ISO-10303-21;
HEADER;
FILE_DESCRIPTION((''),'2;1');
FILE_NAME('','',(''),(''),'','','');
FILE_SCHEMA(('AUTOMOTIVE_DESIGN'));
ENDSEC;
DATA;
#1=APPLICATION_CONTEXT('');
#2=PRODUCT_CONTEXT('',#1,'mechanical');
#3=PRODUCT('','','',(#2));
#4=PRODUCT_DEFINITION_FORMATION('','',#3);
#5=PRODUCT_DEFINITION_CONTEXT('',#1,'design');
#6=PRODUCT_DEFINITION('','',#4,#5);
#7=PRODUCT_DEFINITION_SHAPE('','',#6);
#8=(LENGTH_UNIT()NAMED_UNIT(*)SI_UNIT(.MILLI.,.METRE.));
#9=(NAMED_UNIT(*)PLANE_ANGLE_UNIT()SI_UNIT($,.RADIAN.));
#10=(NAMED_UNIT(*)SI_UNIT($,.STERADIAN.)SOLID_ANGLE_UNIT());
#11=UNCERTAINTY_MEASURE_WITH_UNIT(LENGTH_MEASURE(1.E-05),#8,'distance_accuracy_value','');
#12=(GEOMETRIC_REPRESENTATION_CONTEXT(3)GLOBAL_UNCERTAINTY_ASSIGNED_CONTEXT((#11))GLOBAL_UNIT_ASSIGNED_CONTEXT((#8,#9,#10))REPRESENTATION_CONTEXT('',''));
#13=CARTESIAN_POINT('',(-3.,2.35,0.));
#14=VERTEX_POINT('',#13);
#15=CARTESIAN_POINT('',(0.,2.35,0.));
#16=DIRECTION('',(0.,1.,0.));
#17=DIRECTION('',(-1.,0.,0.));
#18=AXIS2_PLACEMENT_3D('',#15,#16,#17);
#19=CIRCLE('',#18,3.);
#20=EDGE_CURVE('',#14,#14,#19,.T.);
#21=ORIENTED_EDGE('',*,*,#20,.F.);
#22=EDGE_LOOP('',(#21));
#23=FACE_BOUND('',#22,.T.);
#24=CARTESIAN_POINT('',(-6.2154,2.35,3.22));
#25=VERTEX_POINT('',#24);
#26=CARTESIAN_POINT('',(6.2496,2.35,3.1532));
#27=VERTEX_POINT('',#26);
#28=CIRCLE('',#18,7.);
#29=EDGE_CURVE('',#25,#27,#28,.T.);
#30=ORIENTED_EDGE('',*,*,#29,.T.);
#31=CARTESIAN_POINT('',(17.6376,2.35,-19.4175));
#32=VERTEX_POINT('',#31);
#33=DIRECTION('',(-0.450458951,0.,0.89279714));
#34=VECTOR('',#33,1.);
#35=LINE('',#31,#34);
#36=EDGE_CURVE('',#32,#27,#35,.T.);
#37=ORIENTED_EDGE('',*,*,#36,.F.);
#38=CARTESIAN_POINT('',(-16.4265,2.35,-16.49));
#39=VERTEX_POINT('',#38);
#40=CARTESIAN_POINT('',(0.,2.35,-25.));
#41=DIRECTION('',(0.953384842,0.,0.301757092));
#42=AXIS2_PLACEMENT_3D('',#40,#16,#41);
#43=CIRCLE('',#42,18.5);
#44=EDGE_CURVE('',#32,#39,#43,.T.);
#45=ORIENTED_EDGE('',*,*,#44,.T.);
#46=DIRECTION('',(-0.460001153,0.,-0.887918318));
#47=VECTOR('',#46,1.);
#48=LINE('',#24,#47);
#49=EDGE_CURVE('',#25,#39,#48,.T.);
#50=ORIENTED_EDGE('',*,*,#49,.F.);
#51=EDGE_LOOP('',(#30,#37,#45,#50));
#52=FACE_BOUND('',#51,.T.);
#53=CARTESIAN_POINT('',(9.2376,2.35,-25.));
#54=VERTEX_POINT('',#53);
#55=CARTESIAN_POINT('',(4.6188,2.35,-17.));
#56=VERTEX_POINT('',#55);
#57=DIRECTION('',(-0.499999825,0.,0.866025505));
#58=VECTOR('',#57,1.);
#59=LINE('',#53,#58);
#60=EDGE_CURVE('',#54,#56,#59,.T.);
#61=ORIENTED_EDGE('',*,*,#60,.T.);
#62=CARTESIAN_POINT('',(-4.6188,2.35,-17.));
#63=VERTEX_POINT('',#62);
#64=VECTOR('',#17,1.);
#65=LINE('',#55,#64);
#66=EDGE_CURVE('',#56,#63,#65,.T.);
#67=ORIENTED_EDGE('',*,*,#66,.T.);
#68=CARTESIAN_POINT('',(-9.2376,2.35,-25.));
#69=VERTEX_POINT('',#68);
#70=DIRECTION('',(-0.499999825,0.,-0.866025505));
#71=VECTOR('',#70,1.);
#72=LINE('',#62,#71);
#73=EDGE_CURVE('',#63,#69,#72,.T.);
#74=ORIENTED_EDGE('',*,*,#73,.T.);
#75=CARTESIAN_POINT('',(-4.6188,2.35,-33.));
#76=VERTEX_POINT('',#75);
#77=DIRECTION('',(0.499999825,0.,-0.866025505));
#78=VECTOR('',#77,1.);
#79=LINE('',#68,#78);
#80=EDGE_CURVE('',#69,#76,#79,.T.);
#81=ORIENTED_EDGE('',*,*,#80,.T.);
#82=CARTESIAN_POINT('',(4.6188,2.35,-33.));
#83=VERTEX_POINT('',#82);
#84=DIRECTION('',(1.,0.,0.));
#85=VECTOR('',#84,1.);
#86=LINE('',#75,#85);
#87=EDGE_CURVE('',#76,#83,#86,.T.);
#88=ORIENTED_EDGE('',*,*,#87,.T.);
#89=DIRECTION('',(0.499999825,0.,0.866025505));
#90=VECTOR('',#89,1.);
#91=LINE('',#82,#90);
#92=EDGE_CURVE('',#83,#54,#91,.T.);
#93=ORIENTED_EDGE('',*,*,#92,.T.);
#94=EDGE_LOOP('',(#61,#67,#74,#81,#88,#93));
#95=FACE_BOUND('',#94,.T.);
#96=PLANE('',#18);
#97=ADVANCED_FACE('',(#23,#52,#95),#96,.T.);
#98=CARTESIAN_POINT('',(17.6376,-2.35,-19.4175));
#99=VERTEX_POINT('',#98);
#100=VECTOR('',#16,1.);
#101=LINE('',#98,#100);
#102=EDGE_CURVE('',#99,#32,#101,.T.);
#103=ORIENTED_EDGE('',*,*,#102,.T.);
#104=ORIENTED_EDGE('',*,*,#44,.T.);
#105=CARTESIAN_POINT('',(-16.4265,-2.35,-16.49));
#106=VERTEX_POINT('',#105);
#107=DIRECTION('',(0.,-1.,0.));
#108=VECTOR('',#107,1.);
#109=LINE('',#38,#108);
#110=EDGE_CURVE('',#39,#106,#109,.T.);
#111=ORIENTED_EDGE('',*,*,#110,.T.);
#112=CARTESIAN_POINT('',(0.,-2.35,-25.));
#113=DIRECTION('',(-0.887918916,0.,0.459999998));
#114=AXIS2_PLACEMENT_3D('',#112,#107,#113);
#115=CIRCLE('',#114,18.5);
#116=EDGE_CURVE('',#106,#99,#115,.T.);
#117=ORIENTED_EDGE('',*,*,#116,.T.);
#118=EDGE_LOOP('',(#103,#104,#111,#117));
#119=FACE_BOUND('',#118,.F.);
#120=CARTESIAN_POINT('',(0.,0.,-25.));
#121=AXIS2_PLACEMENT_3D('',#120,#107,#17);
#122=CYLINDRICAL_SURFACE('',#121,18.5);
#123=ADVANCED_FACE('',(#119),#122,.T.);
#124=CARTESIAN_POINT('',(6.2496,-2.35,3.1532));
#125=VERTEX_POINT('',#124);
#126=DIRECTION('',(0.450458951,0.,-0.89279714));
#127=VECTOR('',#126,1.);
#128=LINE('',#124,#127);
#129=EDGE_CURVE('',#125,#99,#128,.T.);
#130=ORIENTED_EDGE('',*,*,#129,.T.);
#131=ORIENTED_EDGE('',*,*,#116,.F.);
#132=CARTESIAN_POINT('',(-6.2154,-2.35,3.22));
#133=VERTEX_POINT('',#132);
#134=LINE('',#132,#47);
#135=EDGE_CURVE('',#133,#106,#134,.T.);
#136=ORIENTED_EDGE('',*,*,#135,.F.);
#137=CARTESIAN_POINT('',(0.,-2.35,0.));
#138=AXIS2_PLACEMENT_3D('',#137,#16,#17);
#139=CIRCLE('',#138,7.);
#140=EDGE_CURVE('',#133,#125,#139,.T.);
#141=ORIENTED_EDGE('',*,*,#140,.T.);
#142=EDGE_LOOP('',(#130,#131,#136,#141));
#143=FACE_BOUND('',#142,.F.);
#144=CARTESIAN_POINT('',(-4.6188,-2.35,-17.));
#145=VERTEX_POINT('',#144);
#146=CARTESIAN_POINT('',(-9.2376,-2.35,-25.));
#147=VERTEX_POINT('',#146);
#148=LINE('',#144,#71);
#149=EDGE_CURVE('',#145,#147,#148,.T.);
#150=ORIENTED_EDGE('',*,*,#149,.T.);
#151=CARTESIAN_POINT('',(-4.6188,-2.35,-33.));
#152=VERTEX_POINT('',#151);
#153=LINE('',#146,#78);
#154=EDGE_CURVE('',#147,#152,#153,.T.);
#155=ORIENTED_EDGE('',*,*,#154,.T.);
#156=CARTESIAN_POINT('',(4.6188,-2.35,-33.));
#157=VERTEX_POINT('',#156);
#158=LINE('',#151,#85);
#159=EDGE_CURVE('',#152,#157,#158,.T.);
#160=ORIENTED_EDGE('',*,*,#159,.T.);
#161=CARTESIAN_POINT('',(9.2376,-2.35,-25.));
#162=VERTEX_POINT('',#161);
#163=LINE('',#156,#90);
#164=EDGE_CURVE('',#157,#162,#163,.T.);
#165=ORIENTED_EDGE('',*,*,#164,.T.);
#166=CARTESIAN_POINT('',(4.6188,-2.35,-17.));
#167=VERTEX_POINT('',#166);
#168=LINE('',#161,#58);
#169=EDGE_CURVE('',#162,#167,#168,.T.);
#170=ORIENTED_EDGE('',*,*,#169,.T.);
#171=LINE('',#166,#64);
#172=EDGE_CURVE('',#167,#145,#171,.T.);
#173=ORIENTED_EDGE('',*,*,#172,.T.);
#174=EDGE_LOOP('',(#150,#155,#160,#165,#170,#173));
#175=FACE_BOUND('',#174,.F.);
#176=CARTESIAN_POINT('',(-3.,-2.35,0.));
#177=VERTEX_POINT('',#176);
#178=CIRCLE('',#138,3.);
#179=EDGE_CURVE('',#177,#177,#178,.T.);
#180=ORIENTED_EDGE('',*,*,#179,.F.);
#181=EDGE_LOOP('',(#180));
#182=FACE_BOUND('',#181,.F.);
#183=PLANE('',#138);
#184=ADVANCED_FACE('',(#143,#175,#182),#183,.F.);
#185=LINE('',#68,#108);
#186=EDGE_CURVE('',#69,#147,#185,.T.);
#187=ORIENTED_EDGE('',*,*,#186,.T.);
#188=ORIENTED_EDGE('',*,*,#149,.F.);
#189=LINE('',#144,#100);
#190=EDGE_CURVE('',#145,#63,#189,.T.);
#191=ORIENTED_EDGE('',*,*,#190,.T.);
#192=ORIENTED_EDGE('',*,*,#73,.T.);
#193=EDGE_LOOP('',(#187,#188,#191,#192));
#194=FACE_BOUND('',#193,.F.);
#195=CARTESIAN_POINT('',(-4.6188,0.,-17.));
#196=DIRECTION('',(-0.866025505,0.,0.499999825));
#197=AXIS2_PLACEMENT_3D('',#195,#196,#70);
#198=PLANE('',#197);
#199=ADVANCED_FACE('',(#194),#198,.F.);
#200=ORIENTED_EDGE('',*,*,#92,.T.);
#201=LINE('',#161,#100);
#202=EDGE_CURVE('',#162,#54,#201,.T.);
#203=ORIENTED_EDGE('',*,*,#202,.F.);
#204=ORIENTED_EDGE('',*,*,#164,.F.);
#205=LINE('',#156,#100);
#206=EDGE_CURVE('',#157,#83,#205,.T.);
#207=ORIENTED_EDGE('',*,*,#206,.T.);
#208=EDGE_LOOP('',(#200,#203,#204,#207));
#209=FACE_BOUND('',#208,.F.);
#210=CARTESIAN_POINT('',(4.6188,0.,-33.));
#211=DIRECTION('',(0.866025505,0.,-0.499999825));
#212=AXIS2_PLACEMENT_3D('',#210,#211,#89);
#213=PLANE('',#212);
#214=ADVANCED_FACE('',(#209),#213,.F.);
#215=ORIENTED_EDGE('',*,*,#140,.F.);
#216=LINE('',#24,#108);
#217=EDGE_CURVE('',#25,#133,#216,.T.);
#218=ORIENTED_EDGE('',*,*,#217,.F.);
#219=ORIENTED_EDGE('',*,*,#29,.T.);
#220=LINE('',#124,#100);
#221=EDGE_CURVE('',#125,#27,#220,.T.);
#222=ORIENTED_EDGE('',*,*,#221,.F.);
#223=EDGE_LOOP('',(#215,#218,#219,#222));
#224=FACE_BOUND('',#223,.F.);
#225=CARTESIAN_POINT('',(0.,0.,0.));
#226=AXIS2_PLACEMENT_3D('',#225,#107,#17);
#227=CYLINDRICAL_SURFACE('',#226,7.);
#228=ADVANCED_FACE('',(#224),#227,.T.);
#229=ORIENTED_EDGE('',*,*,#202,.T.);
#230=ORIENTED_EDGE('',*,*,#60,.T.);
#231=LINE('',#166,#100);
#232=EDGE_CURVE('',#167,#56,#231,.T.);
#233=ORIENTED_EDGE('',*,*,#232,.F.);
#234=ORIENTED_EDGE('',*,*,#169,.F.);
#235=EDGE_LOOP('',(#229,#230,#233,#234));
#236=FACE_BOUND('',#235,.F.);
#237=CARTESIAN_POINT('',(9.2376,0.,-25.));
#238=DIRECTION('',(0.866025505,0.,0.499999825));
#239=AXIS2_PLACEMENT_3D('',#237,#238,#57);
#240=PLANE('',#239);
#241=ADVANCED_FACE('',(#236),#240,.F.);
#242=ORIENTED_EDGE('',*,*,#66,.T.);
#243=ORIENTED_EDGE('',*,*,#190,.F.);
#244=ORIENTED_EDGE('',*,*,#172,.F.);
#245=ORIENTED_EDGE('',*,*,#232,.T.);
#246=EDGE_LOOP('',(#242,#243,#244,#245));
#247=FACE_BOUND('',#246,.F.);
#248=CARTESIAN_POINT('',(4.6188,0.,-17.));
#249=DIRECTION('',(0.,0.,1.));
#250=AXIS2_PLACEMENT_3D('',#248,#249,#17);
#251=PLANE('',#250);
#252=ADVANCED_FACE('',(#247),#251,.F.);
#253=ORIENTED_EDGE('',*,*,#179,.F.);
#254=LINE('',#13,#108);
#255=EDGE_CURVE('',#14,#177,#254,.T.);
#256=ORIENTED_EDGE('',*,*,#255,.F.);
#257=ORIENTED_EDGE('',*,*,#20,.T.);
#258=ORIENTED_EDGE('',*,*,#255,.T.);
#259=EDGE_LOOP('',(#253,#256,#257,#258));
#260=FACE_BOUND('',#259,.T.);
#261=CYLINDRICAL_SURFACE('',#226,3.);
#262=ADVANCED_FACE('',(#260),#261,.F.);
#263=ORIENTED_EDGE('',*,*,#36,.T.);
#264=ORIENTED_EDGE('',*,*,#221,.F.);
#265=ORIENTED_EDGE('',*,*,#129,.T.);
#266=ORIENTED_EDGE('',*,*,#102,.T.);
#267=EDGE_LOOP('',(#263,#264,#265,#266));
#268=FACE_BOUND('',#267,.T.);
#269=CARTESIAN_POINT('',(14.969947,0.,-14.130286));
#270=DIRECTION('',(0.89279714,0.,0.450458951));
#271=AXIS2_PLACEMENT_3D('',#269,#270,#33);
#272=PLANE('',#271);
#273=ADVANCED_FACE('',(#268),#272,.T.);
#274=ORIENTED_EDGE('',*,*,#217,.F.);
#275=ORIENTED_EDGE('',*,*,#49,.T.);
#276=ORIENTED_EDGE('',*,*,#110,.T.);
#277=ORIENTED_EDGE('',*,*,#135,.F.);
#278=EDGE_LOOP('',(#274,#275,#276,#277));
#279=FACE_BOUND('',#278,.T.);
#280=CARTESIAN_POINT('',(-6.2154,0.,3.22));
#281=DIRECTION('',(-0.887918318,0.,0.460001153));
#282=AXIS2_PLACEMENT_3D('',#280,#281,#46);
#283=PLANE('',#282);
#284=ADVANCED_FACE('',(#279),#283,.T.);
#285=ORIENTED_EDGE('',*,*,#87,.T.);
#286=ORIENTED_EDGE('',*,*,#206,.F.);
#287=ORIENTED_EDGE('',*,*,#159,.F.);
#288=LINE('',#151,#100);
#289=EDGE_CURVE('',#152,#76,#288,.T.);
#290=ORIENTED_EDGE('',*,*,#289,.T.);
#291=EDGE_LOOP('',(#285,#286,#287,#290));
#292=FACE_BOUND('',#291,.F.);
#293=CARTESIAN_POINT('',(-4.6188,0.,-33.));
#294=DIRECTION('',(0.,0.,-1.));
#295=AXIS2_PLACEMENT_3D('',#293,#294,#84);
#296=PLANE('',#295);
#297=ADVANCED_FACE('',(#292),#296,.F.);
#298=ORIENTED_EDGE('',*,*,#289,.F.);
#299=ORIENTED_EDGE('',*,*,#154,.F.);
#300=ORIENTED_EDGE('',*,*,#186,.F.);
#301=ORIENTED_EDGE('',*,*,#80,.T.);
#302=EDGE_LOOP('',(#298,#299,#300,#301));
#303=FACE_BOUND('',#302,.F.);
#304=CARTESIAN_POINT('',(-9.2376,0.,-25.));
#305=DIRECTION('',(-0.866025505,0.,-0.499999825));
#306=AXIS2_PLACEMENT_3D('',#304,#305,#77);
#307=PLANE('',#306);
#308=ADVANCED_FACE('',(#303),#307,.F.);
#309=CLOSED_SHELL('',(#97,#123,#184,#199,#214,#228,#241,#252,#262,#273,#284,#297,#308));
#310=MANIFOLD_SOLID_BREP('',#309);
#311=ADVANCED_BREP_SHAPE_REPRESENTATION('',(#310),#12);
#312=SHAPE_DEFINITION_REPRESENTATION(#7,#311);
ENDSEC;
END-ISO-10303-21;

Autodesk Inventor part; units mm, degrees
ref_plane "YZ Plane" through (0, 0, 0) normal (1, 0, 0) x (0, 1, 0)
ref_plane "XZ Plane" through (0, 0, 0) normal (0, 1, 0) x (-1, 0, 0)
ref_plane "XY Plane" through (0, 0, 0) normal (0, 0, 1) x (1, 0, 0)
sketch "Sketch1" plane through (0, 0, 0) normal (0, 1, 0) x (-1, 0, 0)
  circle A0 centre (0, 0) radius 3
  circle A1 centre (0, 0) radius 7
  circle A2 centre (0, -25) radius 18.5
  line L0 (6.2154, 3.22) -> (16.4265, -16.49)
  line L1 (-17.6376, -19.4175) -> (-6.2496, 3.1532)
  line L2 (9.2376, -25) -> (4.6188, -33)
  line L3 (4.6188, -33) -> (-4.6188, -33)
  line L4 (-4.6188, -33) -> (-9.2376, -25)
  line L5 (-9.2376, -25) -> (-4.6188, -17)
  line L6 (-4.6188, -17) -> (4.6188, -17)
  line L7 (4.6188, -17) -> (9.2376, -25)
  point P0 (4.4139, 5.433)
  point P1 (-13.2255, -12.0641)
  dimension "d3" = 6
  dimension "d6" = 14
  dimension "d11" = 25
  dimension "d12" = 37
  dimension "d13" = 16
extrude "Plate1" add sketch "Sketch1" along normal mid plane 4.7 contours A1 A2 | A1 L0 A2 | A2 L1 A1 | A1 A2 | A1 A2 L1
equation "\"d9\" = Thickness"
equation "\"BendRadius\" = Thickness"
equation "\"BendReliefWidth\" = Thickness"
equation "\"BendReliefDepth\" = 0.5 * Thickness"
equation "\"CornerReliefSize\" = 4 * Thickness"
equation "\"MinimumRemnant\" = 2 * Thickness"
equation "\"TransitionRadius\" = BendRadius"
equation "\"JacobiRadiusSize\" = BendRadius"
equation "\"GapSize\" = Thickness"
equation "\"Thickness\" = 4.7"
properties part number "SP8V1 Conductor Hexagonal Freno" material "Stainless Steel"
